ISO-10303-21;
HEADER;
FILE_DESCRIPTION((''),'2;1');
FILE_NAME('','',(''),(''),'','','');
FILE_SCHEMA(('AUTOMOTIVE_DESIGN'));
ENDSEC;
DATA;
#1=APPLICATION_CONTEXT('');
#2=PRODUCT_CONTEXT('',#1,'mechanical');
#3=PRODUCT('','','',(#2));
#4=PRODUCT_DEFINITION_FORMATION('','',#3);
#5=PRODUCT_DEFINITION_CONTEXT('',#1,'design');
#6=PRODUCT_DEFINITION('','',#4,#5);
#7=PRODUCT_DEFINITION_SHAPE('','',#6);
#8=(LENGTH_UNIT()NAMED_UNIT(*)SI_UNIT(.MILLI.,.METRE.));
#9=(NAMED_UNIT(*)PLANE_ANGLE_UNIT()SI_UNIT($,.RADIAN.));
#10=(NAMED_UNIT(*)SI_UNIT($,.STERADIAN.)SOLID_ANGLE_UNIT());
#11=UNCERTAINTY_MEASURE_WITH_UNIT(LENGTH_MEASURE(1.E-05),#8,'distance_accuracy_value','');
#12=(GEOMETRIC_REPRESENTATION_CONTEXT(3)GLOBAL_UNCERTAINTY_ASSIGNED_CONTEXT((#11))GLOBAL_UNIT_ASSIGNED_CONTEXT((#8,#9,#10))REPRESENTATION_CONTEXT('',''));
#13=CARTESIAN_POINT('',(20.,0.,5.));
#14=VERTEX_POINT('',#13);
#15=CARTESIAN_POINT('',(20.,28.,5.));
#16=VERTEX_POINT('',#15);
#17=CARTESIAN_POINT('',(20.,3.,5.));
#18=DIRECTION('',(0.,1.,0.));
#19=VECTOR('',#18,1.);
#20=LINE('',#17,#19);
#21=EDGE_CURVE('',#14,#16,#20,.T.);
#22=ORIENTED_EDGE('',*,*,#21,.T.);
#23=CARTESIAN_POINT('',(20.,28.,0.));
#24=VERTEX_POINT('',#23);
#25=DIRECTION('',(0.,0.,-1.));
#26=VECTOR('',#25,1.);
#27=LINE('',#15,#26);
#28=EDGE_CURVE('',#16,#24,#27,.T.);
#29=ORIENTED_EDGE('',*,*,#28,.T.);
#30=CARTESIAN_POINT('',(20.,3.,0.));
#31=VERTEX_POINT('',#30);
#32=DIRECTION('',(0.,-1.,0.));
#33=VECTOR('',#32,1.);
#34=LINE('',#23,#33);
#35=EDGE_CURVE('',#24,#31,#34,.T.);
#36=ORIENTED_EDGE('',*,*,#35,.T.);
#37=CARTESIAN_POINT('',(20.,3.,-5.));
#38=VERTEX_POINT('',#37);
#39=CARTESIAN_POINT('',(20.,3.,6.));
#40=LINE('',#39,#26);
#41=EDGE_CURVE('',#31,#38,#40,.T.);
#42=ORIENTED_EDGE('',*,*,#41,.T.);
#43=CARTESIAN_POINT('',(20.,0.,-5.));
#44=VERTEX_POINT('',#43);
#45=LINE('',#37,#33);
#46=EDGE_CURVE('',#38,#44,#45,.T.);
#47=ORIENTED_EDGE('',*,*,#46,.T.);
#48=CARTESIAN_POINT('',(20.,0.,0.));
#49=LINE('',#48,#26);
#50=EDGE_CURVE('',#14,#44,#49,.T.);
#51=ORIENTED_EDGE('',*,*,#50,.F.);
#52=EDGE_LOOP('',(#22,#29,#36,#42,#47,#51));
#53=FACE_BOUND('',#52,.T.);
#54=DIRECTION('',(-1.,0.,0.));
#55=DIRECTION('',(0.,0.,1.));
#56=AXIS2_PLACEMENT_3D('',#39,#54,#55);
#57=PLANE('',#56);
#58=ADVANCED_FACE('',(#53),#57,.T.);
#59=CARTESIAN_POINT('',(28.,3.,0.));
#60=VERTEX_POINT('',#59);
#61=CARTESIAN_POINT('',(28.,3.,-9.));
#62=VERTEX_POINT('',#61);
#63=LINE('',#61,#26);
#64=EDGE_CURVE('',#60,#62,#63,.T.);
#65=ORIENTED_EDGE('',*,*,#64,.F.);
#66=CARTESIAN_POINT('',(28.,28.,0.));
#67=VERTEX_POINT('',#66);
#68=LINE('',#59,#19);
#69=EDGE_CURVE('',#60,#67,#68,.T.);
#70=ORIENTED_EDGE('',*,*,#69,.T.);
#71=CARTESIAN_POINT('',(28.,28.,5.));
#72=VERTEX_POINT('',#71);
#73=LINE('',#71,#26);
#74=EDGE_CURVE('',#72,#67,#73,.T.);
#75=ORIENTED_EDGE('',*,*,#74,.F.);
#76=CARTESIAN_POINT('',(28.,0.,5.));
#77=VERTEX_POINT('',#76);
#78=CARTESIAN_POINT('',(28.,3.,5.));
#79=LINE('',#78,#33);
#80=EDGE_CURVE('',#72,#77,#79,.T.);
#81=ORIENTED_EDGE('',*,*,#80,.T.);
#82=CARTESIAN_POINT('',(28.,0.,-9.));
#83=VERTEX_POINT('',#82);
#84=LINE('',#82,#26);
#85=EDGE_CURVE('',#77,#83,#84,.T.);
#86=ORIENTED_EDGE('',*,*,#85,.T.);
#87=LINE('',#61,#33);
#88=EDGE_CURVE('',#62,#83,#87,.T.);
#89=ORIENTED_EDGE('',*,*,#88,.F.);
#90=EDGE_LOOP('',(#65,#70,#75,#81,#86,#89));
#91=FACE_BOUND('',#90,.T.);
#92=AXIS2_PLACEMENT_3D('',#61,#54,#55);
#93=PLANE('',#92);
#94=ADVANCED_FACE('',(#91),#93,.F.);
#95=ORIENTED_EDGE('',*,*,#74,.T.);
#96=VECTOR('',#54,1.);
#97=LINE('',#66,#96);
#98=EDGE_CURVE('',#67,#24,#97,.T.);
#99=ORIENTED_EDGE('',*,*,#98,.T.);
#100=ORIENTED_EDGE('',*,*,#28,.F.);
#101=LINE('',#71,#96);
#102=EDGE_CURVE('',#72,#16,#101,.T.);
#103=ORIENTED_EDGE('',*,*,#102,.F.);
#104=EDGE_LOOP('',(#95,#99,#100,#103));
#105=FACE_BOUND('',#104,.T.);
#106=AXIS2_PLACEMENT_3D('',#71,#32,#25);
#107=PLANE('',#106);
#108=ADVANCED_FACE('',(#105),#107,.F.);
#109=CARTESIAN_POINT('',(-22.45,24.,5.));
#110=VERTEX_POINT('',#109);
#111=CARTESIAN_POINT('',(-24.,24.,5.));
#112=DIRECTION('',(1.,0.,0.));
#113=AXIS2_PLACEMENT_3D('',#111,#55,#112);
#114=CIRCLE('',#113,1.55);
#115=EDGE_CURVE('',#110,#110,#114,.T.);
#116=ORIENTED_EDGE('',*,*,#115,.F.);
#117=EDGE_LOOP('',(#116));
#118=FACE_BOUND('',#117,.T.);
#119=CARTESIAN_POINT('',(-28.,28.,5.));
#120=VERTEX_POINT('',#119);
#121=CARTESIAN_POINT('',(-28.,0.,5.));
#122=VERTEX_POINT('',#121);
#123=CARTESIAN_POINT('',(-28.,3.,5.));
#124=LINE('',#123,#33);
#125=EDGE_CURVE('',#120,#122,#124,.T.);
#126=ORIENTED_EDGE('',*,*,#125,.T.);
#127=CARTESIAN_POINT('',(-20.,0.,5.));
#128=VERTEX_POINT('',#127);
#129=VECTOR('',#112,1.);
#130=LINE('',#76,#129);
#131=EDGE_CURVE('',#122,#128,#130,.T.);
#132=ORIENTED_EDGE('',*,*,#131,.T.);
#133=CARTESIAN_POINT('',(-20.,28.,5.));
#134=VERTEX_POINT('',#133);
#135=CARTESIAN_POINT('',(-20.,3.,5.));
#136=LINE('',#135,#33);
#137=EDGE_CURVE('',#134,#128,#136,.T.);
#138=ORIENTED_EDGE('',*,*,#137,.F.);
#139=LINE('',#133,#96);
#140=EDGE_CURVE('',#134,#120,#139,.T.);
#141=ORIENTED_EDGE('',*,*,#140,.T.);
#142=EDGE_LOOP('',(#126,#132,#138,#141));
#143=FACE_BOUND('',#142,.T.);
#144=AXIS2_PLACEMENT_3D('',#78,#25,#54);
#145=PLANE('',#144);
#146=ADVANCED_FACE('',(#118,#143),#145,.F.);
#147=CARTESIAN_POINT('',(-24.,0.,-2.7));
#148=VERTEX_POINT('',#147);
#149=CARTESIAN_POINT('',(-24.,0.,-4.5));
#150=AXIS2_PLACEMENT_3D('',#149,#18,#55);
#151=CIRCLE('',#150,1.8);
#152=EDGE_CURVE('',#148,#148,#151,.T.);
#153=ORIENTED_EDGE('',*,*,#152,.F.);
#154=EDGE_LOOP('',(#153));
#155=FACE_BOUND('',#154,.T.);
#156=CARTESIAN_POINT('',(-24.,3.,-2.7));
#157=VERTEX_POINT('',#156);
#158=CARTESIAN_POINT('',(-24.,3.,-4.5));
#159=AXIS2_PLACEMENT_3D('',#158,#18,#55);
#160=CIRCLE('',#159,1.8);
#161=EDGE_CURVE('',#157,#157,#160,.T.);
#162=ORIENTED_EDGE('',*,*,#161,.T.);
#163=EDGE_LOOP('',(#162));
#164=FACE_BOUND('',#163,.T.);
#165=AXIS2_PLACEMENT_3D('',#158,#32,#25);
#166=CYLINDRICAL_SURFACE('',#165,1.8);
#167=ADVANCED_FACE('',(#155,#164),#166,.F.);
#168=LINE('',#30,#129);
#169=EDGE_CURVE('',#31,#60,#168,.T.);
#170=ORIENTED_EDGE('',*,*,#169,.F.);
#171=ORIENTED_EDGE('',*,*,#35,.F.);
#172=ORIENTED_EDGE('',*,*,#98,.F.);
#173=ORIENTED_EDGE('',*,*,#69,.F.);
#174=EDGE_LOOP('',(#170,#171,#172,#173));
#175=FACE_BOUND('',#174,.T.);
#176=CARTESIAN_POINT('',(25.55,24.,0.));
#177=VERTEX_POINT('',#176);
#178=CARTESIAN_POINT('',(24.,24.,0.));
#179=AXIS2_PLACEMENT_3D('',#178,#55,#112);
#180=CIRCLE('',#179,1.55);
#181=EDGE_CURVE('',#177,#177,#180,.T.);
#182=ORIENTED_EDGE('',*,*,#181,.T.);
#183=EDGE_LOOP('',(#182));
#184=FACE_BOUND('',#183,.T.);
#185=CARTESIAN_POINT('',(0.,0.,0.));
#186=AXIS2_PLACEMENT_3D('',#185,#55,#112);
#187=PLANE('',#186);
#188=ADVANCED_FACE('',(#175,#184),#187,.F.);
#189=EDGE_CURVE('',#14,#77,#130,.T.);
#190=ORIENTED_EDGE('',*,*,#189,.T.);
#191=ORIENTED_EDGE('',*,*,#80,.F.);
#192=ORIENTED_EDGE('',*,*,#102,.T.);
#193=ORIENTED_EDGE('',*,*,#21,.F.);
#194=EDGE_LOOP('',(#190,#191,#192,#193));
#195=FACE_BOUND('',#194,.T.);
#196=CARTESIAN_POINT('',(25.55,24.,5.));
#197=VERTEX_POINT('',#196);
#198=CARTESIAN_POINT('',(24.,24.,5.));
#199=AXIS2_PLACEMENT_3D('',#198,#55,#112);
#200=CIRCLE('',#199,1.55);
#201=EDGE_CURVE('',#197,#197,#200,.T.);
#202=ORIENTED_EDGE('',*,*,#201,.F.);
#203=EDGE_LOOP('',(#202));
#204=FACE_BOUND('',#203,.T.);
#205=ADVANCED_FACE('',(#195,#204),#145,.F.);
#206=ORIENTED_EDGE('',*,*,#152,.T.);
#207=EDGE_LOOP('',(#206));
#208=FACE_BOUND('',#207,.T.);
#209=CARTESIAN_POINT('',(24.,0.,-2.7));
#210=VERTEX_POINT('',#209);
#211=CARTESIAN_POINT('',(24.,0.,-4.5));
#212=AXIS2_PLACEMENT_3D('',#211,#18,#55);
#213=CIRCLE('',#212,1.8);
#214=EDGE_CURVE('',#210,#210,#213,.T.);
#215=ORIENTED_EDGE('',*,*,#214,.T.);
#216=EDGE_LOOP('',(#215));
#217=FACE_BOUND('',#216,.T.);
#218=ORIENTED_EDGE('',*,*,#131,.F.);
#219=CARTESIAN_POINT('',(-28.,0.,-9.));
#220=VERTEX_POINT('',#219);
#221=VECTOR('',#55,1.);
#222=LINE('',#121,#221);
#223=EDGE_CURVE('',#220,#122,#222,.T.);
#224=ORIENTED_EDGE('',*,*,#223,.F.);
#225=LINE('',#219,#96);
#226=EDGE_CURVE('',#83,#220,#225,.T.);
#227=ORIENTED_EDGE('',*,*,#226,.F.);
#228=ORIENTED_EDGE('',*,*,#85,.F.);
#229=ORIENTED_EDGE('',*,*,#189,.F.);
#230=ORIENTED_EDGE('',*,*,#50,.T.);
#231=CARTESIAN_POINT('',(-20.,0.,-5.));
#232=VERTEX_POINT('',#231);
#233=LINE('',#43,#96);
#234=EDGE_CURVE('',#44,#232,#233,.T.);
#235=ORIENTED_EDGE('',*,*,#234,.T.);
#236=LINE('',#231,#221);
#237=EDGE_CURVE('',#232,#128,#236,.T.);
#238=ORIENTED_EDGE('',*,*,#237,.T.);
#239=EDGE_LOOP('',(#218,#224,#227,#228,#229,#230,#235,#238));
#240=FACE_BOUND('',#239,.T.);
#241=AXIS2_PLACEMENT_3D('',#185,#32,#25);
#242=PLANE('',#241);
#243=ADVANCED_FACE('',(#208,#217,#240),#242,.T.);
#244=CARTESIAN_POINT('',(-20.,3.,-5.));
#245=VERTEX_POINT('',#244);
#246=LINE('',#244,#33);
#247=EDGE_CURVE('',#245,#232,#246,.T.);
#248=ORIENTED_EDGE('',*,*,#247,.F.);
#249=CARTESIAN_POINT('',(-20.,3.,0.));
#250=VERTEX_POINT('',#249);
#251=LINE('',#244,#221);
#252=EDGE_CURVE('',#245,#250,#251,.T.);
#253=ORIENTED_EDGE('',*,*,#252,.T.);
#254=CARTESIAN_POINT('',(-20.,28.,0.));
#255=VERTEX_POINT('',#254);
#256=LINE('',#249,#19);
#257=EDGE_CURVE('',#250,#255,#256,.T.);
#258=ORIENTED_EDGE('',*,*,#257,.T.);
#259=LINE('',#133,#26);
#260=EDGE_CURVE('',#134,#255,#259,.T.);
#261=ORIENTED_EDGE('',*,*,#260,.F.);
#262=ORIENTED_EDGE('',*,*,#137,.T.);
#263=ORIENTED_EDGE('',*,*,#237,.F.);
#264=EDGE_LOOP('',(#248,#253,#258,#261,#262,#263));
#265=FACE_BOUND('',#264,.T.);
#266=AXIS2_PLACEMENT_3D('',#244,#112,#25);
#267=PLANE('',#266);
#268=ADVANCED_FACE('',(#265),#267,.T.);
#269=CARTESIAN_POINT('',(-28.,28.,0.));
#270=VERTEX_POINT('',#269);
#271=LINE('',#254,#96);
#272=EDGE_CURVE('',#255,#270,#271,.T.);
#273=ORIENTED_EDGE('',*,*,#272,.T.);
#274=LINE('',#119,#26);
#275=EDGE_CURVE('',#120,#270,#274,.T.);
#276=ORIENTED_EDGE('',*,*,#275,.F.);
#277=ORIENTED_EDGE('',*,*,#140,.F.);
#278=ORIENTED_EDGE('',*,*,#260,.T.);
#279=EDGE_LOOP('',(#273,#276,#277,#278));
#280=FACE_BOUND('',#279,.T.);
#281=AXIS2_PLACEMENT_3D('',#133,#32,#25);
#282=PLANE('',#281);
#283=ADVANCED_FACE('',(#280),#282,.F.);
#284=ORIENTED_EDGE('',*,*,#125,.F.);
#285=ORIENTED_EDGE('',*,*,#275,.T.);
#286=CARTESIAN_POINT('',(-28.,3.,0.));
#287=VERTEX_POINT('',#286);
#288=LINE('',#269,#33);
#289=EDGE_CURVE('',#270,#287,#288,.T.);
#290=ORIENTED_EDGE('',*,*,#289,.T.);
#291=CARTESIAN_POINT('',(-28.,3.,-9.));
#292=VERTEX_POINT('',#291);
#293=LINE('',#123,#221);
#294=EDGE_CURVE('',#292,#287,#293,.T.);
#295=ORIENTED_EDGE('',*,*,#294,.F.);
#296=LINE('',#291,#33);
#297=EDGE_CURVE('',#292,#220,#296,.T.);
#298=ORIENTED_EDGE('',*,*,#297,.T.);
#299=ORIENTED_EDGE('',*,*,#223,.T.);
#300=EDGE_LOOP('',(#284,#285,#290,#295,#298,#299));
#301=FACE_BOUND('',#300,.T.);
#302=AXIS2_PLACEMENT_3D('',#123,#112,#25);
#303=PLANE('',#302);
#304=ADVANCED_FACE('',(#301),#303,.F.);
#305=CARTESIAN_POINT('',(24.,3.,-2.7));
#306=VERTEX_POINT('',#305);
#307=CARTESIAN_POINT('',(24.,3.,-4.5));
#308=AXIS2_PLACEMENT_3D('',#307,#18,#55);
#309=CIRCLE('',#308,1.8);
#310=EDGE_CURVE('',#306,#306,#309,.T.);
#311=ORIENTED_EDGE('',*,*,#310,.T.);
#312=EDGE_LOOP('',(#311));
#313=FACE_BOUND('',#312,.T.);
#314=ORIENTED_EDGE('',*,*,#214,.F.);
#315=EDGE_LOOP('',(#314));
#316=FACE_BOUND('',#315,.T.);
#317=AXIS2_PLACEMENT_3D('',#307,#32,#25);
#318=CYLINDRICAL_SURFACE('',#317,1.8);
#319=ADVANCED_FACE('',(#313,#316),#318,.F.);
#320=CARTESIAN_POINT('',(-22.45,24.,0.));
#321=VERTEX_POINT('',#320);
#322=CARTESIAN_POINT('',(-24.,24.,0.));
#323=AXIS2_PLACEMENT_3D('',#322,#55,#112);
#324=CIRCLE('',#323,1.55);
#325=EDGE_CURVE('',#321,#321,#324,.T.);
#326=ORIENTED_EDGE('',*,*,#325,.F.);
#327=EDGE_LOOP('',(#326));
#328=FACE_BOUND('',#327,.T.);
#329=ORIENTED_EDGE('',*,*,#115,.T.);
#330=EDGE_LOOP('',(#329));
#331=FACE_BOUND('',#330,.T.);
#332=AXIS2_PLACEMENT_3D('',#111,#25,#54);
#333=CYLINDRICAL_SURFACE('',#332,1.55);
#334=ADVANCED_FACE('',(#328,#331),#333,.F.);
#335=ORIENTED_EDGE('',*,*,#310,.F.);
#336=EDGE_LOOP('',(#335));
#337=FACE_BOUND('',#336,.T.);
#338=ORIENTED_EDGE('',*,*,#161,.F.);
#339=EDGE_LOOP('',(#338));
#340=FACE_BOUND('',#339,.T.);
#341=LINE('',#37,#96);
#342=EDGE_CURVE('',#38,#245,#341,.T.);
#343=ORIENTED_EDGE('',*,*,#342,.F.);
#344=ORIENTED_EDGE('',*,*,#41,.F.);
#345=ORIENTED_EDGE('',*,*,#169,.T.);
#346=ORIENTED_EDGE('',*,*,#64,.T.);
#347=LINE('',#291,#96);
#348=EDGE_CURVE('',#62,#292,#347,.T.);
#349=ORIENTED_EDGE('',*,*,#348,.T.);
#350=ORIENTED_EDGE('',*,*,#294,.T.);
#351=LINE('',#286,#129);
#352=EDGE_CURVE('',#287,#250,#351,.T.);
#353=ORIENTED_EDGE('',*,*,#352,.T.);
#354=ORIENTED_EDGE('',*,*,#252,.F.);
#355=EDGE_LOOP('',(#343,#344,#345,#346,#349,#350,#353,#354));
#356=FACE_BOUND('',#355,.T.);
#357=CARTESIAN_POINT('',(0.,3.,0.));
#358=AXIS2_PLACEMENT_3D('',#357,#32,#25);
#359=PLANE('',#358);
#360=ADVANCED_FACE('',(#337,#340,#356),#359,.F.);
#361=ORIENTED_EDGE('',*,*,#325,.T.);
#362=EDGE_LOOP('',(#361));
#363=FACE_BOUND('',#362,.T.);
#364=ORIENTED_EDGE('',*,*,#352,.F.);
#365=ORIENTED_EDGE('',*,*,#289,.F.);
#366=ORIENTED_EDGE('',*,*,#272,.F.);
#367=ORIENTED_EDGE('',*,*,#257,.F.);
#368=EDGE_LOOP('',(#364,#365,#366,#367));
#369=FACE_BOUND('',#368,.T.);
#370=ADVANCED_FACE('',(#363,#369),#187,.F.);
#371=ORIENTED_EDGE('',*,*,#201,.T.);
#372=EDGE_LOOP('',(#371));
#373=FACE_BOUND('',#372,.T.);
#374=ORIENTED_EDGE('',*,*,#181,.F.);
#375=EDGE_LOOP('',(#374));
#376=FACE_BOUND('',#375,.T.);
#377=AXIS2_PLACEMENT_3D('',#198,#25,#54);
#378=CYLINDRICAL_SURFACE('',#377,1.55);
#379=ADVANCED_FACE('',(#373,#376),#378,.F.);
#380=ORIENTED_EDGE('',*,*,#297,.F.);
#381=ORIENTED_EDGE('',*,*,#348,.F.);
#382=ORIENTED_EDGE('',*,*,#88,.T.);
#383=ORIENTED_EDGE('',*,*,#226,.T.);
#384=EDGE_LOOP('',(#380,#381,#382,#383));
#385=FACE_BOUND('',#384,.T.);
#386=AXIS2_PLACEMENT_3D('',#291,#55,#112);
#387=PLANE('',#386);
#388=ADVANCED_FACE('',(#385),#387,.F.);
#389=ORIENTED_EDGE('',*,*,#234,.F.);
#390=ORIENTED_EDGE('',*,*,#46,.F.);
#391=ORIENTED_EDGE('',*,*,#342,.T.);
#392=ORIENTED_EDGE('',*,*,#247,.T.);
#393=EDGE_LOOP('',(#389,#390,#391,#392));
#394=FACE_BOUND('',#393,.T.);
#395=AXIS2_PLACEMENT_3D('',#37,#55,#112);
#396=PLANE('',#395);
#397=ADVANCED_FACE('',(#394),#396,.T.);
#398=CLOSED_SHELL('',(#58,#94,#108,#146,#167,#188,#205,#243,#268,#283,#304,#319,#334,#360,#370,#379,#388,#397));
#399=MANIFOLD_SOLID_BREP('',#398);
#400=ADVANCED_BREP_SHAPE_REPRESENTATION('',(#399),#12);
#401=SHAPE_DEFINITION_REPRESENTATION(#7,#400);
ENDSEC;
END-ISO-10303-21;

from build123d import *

# Parameters (mm, degrees)
SKETCH_1_W               = 56
SKETCH_1_H               = 14
F_56X14_3_3MM_DEPTH      = 3
SKETCH_2_W               = 40
SKETCH_2_H               = 11
CUT_EXTRUDE_40_4_3_DEPTH = 3
SKETCH_3_W               = 8
SKETCH_3_H               = 25
F_5_M2_5X10_DEPTH        = 5
SKETCH_4_R               = 1.55
CUT_EXTRUDE_3_1_48_DEPTH = 5
SKETCH_5_R               = 1.8
CUT_EXTRUDE_993_DEPTH    = 3


with BuildPart() as part:
    # 草图1 → 相机小底脚56x14_厚3_单向3mm (new body)
    with BuildSketch(Plane(origin=(0, 0, 0), x_dir=(1, 0, 0), z_dir=(0, 1, 0))):
        with Locations((0, 2)):
            Rectangle(SKETCH_1_W, SKETCH_1_H)
    extrude(amount=F_56X14_3_3MM_DEPTH)

    # 草图2 → 底脚中央40宽镂空_只留后横梁4_贯穿底脚3 (cut)
    with BuildSketch(Plane(origin=(0, 0, 0), x_dir=(1, 0, 0), z_dir=(0, 1, 0))):
        with Locations((0, -0.5)):
            Rectangle(SKETCH_2_W, SKETCH_2_H)
    extrude(amount=CUT_EXTRUDE_40_4_3_DEPTH, mode=Mode.SUBTRACT)

    # 草图3 → 双耳支撑臂厚5_沿用M2.5x10尺寸链 (add)
    with BuildSketch(Plane.XY):
        with Locations((-24, 15.5)):
            Rectangle(SKETCH_3_W, SKETCH_3_H)
        with Locations((24, 15.5)):
            Rectangle(SKETCH_3_W, SKETCH_3_H)
    extrude(amount=F_5_M2_5X10_DEPTH)

    # 草图4 → 双耳原孔3.1_孔距48_圆孔不加大_贯穿 (cut)
    with BuildSketch(Plane.XY):
        with Locations((-24, 24)):
            Circle(SKETCH_4_R)
        with Locations((24, 24)):
            Circle(SKETCH_4_R)
    extrude(amount=CUT_EXTRUDE_3_1_48_DEPTH, mode=Mode.SUBTRACT)

    # 草图5 → Cut-Extrude 993 (cut)
    with BuildSketch(Plane(origin=(0, 0, 0), x_dir=(1, 0, 0), z_dir=(0, 1, 0))):
        with Locations(Location((-24, 4.5, 0), (0, 0, 270))):
            Circle(SKETCH_5_R)
        with Locations(Location((24, 4.5, 0), (0, 0, 270))):
            Circle(SKETCH_5_R)
    extrude(amount=CUT_EXTRUDE_993_DEPTH, mode=Mode.SUBTRACT)


solid = part.part
